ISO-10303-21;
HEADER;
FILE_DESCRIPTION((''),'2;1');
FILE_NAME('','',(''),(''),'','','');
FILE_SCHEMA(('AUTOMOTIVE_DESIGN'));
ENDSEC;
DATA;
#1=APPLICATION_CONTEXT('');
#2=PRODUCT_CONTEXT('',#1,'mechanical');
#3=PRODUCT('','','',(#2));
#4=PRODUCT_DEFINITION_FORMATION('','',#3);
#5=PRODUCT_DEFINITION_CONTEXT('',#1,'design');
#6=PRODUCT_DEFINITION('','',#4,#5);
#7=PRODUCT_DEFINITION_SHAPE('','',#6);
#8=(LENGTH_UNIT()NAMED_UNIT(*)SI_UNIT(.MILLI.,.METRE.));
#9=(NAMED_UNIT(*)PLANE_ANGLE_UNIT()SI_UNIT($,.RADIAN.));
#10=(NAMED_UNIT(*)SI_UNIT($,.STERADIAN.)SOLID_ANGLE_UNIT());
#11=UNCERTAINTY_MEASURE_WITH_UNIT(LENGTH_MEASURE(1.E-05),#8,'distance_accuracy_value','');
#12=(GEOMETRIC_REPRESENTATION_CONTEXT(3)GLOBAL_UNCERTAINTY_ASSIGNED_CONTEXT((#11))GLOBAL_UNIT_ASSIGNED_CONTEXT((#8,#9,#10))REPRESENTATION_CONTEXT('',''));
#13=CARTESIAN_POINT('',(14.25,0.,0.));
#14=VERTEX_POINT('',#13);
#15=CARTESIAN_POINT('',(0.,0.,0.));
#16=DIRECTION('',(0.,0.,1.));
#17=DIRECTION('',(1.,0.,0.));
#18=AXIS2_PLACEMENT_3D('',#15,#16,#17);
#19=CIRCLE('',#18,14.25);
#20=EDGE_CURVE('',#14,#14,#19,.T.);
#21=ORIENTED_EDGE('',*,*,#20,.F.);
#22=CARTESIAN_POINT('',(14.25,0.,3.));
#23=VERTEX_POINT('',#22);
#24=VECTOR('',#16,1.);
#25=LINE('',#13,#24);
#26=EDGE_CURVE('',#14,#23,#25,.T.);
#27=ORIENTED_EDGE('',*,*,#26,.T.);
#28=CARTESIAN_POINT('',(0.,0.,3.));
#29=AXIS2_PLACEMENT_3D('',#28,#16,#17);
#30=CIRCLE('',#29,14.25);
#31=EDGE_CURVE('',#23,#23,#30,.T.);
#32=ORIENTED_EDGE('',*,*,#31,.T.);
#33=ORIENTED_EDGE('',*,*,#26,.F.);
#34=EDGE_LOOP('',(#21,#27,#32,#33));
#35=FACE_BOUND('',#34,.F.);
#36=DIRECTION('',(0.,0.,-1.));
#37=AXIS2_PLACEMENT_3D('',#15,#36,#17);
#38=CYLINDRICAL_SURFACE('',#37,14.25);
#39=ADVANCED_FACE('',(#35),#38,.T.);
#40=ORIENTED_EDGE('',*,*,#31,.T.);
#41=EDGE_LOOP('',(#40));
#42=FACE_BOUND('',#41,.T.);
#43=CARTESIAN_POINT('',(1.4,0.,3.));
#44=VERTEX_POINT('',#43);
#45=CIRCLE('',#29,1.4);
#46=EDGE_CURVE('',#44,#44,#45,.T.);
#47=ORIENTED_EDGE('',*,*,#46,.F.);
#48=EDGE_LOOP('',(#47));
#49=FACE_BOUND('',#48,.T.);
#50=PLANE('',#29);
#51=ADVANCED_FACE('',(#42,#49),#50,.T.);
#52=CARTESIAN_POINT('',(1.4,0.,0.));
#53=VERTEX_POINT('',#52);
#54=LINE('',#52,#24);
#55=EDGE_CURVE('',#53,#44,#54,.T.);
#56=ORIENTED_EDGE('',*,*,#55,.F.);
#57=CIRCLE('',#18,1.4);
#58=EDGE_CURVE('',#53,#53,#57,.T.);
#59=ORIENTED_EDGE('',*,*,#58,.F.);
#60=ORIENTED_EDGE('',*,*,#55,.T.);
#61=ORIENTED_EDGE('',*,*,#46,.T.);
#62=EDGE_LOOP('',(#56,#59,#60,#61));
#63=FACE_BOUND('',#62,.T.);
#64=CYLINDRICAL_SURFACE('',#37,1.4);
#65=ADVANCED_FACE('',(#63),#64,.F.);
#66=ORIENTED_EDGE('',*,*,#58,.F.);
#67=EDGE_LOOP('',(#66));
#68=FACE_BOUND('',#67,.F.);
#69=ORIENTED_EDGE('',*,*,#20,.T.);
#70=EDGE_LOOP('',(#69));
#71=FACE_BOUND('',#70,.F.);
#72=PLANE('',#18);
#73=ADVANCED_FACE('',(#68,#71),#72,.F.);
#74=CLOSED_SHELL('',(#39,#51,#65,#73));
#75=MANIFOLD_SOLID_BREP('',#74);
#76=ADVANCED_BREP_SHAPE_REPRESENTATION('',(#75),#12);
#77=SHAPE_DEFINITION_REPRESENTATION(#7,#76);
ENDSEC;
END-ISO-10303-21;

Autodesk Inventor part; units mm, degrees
ref_plane "YZ Plane" through (0, 0, 0) normal (1, 0, 0) x (0, 1, 0)
ref_plane "XZ Plane" through (0, 0, 0) normal (0, 1, 0) x (-1, 0, 0)
ref_plane "XY Plane" through (0, 0, 0) normal (0, 0, 1) x (1, 0, 0)
sketch "Sketch1" plane through (0, 0, 0) normal (0, 0, 1) x (1, 0, 0)
  circle A0 centre (0, 0) radius 14.25
  circle A1 centre (0, 0) radius 1.4
  dimension "d0" = 28.5
  dimension "d3" = 2.8
extrude "Extrusion1" add sketch "Sketch1" along normal blind 3
properties part number "Front Large Endcap 150914"
